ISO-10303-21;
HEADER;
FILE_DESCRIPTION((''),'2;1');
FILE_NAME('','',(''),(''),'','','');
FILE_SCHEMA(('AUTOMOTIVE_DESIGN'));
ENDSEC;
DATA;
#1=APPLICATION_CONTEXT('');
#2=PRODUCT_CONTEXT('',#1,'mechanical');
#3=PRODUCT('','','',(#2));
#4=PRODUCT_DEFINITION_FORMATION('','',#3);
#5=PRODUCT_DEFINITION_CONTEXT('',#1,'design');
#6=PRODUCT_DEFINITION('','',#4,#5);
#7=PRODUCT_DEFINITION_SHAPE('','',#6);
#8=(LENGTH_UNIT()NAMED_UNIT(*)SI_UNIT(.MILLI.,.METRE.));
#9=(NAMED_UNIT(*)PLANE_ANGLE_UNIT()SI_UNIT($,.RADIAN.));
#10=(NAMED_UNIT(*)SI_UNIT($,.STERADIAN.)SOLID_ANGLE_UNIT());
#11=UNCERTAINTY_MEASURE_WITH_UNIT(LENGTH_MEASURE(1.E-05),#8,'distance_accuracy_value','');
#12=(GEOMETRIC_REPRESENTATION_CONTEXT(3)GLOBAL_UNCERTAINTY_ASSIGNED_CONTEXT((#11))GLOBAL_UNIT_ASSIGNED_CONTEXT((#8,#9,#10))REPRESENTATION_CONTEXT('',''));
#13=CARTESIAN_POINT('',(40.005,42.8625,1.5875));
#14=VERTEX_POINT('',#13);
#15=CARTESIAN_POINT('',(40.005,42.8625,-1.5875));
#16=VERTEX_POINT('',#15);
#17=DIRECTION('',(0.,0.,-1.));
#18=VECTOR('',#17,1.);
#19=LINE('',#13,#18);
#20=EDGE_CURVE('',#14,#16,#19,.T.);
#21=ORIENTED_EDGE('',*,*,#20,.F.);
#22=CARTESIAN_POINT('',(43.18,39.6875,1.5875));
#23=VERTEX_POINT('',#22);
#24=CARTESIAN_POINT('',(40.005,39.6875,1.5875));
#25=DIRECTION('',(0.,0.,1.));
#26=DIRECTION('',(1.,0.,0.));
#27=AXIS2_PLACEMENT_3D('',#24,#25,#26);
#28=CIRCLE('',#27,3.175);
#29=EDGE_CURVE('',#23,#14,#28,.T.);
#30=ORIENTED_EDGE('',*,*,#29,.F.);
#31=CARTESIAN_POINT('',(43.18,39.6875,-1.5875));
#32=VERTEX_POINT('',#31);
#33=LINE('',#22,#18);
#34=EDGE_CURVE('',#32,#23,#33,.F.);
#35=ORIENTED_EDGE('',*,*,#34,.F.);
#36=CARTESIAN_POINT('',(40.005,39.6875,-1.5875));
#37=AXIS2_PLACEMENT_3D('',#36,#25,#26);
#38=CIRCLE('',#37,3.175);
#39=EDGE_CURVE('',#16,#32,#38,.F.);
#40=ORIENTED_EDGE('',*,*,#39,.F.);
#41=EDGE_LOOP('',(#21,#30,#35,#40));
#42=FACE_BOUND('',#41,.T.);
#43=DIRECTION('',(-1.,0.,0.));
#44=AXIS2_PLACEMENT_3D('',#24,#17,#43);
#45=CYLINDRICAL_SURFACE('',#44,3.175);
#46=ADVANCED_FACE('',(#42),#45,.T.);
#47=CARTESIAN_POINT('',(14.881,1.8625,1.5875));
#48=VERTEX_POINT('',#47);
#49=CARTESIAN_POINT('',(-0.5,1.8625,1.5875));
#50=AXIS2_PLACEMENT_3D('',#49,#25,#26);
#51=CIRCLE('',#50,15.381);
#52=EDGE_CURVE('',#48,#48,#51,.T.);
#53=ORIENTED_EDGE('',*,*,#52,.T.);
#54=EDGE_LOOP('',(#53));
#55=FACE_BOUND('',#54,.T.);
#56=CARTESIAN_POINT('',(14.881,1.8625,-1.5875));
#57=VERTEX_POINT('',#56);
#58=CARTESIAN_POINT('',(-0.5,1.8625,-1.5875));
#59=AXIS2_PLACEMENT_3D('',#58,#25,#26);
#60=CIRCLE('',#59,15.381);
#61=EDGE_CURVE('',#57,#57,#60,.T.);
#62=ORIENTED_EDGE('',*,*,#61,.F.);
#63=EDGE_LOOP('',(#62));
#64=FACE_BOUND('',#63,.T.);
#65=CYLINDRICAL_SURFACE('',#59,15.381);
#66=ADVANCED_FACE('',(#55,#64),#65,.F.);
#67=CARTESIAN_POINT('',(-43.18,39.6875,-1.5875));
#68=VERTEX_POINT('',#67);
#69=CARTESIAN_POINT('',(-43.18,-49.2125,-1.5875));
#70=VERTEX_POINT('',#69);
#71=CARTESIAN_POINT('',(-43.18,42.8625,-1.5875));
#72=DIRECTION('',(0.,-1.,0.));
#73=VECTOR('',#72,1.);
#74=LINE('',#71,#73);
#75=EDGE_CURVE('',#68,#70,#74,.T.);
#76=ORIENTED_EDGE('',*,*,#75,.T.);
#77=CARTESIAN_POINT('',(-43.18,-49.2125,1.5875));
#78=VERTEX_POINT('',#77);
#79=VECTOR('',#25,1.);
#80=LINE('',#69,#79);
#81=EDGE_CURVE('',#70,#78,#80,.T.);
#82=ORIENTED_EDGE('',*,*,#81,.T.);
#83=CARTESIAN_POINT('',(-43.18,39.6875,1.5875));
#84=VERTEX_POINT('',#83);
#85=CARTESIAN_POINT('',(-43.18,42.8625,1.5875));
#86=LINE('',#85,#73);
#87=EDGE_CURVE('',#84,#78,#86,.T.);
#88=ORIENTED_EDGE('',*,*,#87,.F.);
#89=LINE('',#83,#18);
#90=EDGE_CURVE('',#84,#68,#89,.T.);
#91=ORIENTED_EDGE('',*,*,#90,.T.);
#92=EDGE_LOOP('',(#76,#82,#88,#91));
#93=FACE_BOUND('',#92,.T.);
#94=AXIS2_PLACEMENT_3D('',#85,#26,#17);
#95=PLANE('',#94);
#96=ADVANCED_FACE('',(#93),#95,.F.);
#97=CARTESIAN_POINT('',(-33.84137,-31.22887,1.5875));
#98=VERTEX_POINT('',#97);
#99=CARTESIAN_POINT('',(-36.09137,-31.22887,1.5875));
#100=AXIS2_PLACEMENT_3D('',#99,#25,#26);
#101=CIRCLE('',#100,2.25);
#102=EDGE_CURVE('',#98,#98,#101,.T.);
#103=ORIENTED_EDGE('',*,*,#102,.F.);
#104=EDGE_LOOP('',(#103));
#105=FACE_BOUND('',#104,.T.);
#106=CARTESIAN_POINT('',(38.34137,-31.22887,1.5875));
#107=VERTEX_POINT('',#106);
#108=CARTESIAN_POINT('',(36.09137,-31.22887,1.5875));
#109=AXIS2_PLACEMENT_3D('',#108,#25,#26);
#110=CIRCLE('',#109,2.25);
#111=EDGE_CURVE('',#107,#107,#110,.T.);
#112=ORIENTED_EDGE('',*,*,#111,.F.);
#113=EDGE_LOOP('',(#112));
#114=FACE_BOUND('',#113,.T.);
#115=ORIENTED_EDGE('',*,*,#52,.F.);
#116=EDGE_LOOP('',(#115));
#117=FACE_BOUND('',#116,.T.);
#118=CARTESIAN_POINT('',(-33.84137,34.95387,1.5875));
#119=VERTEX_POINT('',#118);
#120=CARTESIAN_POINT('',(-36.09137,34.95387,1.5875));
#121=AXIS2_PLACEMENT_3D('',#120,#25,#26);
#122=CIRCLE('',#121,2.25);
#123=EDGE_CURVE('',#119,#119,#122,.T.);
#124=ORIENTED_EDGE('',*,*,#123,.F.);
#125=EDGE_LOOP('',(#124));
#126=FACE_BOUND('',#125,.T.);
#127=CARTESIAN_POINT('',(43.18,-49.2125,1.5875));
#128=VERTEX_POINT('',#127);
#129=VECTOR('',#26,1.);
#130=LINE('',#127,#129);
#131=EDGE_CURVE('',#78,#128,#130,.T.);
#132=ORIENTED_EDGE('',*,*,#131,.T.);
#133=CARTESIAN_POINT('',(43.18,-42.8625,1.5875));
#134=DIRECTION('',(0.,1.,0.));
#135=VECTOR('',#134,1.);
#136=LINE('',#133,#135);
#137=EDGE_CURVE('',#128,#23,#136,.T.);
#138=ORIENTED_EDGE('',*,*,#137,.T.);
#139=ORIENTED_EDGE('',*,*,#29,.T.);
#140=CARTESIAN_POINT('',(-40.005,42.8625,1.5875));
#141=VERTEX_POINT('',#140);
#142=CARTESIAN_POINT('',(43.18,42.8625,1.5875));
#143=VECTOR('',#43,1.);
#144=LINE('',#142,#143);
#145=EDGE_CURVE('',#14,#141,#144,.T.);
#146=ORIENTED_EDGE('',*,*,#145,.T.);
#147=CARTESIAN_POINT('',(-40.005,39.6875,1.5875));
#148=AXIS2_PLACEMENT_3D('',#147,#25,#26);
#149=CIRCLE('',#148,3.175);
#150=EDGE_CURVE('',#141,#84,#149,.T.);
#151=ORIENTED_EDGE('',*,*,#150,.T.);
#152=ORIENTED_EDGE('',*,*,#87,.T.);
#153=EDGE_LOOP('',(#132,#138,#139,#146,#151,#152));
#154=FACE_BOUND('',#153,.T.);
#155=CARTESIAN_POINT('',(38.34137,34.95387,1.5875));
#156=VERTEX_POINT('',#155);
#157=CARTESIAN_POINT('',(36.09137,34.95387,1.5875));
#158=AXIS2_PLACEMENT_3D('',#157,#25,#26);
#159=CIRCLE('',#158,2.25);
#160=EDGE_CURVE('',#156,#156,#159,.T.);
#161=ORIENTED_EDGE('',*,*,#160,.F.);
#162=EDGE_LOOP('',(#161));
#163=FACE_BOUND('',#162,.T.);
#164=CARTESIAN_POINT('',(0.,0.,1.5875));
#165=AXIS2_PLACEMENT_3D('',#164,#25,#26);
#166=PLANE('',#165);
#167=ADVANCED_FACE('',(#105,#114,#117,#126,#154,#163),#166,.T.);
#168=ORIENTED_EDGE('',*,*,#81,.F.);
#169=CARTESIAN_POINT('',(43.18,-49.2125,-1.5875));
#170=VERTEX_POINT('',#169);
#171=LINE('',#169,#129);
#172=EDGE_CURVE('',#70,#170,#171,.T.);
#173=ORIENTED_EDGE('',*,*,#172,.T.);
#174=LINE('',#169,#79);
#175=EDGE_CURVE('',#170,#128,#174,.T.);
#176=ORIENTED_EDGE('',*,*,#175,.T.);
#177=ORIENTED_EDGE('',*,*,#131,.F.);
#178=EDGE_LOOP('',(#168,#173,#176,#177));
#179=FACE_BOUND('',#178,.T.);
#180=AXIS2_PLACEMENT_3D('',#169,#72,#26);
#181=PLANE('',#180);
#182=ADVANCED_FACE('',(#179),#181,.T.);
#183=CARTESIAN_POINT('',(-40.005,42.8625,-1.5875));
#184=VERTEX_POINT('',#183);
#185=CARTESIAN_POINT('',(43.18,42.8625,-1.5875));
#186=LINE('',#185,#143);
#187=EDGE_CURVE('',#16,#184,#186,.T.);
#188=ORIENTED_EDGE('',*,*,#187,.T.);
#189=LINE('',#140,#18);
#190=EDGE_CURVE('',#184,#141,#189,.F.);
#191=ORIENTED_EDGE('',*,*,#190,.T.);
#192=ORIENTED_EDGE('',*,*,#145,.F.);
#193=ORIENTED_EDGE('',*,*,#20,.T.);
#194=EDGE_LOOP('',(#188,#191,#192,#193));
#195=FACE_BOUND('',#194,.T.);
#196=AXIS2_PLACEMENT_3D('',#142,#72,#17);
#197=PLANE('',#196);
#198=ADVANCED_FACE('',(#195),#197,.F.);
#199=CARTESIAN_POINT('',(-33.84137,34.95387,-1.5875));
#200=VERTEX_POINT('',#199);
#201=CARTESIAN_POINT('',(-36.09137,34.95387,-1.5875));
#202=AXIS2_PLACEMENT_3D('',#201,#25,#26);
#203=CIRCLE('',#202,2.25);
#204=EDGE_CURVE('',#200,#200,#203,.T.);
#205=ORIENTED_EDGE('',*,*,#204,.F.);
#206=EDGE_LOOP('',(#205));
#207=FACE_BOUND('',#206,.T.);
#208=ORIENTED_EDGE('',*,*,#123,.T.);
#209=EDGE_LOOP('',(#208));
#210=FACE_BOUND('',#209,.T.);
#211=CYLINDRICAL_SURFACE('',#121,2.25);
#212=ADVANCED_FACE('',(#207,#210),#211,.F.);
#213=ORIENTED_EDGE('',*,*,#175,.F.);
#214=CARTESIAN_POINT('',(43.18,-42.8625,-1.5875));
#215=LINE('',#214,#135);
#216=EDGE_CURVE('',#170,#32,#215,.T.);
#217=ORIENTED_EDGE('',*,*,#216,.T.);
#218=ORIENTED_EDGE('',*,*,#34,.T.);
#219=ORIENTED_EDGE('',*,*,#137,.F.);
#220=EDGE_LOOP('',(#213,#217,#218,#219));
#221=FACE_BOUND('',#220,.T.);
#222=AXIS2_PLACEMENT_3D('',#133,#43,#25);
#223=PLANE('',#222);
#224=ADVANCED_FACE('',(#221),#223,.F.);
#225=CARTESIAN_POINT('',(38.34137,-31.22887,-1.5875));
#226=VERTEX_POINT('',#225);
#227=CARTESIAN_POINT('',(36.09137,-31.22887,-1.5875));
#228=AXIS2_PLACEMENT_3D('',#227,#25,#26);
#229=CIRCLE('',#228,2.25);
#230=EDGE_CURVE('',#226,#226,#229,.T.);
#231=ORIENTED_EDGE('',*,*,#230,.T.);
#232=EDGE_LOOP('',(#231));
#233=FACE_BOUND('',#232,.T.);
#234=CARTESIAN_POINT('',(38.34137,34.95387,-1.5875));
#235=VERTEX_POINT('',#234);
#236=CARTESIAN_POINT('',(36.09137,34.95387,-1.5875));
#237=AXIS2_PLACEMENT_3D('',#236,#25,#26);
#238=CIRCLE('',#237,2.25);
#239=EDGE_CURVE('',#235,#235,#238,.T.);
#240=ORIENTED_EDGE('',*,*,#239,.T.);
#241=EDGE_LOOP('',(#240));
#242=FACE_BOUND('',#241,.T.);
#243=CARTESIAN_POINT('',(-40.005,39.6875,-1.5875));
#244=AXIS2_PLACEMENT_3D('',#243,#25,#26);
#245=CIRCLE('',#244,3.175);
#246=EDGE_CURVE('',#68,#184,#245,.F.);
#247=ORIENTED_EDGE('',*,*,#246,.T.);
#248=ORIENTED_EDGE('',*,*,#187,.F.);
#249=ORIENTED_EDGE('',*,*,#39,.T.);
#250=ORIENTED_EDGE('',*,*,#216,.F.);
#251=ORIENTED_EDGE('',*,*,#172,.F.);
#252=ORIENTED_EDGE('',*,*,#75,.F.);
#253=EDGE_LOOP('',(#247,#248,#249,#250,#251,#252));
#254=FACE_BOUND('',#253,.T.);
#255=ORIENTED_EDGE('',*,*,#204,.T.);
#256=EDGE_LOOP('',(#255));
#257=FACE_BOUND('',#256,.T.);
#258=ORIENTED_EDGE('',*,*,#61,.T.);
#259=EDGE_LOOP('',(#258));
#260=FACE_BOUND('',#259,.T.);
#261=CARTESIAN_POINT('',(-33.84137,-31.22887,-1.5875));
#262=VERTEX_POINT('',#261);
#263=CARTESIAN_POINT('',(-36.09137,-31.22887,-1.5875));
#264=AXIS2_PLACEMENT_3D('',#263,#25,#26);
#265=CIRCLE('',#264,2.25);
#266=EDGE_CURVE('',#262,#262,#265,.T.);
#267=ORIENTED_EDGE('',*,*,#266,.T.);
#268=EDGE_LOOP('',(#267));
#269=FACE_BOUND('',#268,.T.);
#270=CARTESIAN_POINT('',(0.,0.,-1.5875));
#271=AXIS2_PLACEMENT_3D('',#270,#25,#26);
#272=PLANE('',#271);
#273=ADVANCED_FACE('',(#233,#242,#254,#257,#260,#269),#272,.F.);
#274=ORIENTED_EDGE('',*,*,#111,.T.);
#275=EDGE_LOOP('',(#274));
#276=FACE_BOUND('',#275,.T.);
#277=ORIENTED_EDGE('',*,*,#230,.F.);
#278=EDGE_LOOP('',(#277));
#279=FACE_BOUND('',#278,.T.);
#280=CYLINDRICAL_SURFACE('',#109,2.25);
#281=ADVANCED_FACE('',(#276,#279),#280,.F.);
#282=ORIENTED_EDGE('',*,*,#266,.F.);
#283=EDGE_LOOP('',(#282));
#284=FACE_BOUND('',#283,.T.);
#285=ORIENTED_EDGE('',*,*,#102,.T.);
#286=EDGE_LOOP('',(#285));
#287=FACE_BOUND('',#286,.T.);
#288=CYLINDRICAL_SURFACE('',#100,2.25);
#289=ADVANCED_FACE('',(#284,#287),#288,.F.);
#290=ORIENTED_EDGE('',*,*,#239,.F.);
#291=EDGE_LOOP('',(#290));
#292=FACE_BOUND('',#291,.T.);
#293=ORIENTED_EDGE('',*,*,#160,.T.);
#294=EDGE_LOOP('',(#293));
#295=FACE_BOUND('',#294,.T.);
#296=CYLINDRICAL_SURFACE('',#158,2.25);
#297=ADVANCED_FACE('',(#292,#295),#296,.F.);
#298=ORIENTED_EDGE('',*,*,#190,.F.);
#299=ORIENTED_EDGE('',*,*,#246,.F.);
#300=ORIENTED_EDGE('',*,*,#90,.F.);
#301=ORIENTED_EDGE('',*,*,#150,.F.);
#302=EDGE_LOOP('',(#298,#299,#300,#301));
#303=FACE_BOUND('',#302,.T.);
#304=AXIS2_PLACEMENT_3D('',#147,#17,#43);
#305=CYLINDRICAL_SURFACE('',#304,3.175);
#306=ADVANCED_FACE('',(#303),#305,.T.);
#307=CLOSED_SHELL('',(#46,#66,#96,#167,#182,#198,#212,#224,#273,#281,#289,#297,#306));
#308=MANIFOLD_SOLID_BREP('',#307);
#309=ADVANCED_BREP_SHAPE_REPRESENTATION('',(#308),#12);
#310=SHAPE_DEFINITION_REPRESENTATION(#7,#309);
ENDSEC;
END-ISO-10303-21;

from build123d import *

# Parameters (mm, degrees)
SKETCH2_W            = 86.36
SKETCH2_H            = 85.725
BOSS_EXTRUDE1_DEPTH  = 1.5875
SKETCH3_R            = 15.380999972
CUT_EXTRUDE1_DEPTH   = 61.924436241
M4_CLEARANCE_HOLE1_D = 4.5
SKETCH5_W            = 86.36
SKETCH5_H            = 6.35
BOSS_EXTRUDE2_DEPTH  = 3.175
FILLET1_R            = 3.175


with BuildPart() as part:
    # Sketch2 → Boss-Extrude1 (new, symmetric)
    with BuildSketch(Plane.XY):
        Rectangle(SKETCH2_W, SKETCH2_H)
    extrude(amount=BOSS_EXTRUDE1_DEPTH, both=True)

    # Sketch3 → Cut-Extrude1 (cut, through all)
    with BuildSketch(Plane.XY.offset(1.5875)):
        with Locations((-0.5, 1.8625)):
            Circle(SKETCH3_R)
    extrude(amount=-CUT_EXTRUDE1_DEPTH, mode=Mode.SUBTRACT)

    # M4 Clearance Hole1 (through all)
    with Locations(Plane(origin=(36.09137025, 34.95387025, 1.5875), x_dir=(1, 0, 0), z_dir=(0, 0, 1))):
        with Locations((0, 0), (0, -66.1827405), (-72.1827405, 0), (-72.1827405, -66.1827405)):
            Hole(M4_CLEARANCE_HOLE1_D / 2)

    # Sketch5 → Boss-Extrude2 (add)
    with BuildSketch(Plane.XY.offset(1.5875)):
        with Locations((0, -46.0375)):
            Rectangle(SKETCH5_W, SKETCH5_H)
    extrude(amount=-BOSS_EXTRUDE2_DEPTH)

    # Fillet1
    fillet1_edges = [part.edges().sort_by_distance(p)[0] for p in [
        (-43.18, 42.8625, 0),
        (43.18, 42.8625, 0),
    ]]
    fillet(fillet1_edges, radius=FILLET1_R)


solid = part.part
